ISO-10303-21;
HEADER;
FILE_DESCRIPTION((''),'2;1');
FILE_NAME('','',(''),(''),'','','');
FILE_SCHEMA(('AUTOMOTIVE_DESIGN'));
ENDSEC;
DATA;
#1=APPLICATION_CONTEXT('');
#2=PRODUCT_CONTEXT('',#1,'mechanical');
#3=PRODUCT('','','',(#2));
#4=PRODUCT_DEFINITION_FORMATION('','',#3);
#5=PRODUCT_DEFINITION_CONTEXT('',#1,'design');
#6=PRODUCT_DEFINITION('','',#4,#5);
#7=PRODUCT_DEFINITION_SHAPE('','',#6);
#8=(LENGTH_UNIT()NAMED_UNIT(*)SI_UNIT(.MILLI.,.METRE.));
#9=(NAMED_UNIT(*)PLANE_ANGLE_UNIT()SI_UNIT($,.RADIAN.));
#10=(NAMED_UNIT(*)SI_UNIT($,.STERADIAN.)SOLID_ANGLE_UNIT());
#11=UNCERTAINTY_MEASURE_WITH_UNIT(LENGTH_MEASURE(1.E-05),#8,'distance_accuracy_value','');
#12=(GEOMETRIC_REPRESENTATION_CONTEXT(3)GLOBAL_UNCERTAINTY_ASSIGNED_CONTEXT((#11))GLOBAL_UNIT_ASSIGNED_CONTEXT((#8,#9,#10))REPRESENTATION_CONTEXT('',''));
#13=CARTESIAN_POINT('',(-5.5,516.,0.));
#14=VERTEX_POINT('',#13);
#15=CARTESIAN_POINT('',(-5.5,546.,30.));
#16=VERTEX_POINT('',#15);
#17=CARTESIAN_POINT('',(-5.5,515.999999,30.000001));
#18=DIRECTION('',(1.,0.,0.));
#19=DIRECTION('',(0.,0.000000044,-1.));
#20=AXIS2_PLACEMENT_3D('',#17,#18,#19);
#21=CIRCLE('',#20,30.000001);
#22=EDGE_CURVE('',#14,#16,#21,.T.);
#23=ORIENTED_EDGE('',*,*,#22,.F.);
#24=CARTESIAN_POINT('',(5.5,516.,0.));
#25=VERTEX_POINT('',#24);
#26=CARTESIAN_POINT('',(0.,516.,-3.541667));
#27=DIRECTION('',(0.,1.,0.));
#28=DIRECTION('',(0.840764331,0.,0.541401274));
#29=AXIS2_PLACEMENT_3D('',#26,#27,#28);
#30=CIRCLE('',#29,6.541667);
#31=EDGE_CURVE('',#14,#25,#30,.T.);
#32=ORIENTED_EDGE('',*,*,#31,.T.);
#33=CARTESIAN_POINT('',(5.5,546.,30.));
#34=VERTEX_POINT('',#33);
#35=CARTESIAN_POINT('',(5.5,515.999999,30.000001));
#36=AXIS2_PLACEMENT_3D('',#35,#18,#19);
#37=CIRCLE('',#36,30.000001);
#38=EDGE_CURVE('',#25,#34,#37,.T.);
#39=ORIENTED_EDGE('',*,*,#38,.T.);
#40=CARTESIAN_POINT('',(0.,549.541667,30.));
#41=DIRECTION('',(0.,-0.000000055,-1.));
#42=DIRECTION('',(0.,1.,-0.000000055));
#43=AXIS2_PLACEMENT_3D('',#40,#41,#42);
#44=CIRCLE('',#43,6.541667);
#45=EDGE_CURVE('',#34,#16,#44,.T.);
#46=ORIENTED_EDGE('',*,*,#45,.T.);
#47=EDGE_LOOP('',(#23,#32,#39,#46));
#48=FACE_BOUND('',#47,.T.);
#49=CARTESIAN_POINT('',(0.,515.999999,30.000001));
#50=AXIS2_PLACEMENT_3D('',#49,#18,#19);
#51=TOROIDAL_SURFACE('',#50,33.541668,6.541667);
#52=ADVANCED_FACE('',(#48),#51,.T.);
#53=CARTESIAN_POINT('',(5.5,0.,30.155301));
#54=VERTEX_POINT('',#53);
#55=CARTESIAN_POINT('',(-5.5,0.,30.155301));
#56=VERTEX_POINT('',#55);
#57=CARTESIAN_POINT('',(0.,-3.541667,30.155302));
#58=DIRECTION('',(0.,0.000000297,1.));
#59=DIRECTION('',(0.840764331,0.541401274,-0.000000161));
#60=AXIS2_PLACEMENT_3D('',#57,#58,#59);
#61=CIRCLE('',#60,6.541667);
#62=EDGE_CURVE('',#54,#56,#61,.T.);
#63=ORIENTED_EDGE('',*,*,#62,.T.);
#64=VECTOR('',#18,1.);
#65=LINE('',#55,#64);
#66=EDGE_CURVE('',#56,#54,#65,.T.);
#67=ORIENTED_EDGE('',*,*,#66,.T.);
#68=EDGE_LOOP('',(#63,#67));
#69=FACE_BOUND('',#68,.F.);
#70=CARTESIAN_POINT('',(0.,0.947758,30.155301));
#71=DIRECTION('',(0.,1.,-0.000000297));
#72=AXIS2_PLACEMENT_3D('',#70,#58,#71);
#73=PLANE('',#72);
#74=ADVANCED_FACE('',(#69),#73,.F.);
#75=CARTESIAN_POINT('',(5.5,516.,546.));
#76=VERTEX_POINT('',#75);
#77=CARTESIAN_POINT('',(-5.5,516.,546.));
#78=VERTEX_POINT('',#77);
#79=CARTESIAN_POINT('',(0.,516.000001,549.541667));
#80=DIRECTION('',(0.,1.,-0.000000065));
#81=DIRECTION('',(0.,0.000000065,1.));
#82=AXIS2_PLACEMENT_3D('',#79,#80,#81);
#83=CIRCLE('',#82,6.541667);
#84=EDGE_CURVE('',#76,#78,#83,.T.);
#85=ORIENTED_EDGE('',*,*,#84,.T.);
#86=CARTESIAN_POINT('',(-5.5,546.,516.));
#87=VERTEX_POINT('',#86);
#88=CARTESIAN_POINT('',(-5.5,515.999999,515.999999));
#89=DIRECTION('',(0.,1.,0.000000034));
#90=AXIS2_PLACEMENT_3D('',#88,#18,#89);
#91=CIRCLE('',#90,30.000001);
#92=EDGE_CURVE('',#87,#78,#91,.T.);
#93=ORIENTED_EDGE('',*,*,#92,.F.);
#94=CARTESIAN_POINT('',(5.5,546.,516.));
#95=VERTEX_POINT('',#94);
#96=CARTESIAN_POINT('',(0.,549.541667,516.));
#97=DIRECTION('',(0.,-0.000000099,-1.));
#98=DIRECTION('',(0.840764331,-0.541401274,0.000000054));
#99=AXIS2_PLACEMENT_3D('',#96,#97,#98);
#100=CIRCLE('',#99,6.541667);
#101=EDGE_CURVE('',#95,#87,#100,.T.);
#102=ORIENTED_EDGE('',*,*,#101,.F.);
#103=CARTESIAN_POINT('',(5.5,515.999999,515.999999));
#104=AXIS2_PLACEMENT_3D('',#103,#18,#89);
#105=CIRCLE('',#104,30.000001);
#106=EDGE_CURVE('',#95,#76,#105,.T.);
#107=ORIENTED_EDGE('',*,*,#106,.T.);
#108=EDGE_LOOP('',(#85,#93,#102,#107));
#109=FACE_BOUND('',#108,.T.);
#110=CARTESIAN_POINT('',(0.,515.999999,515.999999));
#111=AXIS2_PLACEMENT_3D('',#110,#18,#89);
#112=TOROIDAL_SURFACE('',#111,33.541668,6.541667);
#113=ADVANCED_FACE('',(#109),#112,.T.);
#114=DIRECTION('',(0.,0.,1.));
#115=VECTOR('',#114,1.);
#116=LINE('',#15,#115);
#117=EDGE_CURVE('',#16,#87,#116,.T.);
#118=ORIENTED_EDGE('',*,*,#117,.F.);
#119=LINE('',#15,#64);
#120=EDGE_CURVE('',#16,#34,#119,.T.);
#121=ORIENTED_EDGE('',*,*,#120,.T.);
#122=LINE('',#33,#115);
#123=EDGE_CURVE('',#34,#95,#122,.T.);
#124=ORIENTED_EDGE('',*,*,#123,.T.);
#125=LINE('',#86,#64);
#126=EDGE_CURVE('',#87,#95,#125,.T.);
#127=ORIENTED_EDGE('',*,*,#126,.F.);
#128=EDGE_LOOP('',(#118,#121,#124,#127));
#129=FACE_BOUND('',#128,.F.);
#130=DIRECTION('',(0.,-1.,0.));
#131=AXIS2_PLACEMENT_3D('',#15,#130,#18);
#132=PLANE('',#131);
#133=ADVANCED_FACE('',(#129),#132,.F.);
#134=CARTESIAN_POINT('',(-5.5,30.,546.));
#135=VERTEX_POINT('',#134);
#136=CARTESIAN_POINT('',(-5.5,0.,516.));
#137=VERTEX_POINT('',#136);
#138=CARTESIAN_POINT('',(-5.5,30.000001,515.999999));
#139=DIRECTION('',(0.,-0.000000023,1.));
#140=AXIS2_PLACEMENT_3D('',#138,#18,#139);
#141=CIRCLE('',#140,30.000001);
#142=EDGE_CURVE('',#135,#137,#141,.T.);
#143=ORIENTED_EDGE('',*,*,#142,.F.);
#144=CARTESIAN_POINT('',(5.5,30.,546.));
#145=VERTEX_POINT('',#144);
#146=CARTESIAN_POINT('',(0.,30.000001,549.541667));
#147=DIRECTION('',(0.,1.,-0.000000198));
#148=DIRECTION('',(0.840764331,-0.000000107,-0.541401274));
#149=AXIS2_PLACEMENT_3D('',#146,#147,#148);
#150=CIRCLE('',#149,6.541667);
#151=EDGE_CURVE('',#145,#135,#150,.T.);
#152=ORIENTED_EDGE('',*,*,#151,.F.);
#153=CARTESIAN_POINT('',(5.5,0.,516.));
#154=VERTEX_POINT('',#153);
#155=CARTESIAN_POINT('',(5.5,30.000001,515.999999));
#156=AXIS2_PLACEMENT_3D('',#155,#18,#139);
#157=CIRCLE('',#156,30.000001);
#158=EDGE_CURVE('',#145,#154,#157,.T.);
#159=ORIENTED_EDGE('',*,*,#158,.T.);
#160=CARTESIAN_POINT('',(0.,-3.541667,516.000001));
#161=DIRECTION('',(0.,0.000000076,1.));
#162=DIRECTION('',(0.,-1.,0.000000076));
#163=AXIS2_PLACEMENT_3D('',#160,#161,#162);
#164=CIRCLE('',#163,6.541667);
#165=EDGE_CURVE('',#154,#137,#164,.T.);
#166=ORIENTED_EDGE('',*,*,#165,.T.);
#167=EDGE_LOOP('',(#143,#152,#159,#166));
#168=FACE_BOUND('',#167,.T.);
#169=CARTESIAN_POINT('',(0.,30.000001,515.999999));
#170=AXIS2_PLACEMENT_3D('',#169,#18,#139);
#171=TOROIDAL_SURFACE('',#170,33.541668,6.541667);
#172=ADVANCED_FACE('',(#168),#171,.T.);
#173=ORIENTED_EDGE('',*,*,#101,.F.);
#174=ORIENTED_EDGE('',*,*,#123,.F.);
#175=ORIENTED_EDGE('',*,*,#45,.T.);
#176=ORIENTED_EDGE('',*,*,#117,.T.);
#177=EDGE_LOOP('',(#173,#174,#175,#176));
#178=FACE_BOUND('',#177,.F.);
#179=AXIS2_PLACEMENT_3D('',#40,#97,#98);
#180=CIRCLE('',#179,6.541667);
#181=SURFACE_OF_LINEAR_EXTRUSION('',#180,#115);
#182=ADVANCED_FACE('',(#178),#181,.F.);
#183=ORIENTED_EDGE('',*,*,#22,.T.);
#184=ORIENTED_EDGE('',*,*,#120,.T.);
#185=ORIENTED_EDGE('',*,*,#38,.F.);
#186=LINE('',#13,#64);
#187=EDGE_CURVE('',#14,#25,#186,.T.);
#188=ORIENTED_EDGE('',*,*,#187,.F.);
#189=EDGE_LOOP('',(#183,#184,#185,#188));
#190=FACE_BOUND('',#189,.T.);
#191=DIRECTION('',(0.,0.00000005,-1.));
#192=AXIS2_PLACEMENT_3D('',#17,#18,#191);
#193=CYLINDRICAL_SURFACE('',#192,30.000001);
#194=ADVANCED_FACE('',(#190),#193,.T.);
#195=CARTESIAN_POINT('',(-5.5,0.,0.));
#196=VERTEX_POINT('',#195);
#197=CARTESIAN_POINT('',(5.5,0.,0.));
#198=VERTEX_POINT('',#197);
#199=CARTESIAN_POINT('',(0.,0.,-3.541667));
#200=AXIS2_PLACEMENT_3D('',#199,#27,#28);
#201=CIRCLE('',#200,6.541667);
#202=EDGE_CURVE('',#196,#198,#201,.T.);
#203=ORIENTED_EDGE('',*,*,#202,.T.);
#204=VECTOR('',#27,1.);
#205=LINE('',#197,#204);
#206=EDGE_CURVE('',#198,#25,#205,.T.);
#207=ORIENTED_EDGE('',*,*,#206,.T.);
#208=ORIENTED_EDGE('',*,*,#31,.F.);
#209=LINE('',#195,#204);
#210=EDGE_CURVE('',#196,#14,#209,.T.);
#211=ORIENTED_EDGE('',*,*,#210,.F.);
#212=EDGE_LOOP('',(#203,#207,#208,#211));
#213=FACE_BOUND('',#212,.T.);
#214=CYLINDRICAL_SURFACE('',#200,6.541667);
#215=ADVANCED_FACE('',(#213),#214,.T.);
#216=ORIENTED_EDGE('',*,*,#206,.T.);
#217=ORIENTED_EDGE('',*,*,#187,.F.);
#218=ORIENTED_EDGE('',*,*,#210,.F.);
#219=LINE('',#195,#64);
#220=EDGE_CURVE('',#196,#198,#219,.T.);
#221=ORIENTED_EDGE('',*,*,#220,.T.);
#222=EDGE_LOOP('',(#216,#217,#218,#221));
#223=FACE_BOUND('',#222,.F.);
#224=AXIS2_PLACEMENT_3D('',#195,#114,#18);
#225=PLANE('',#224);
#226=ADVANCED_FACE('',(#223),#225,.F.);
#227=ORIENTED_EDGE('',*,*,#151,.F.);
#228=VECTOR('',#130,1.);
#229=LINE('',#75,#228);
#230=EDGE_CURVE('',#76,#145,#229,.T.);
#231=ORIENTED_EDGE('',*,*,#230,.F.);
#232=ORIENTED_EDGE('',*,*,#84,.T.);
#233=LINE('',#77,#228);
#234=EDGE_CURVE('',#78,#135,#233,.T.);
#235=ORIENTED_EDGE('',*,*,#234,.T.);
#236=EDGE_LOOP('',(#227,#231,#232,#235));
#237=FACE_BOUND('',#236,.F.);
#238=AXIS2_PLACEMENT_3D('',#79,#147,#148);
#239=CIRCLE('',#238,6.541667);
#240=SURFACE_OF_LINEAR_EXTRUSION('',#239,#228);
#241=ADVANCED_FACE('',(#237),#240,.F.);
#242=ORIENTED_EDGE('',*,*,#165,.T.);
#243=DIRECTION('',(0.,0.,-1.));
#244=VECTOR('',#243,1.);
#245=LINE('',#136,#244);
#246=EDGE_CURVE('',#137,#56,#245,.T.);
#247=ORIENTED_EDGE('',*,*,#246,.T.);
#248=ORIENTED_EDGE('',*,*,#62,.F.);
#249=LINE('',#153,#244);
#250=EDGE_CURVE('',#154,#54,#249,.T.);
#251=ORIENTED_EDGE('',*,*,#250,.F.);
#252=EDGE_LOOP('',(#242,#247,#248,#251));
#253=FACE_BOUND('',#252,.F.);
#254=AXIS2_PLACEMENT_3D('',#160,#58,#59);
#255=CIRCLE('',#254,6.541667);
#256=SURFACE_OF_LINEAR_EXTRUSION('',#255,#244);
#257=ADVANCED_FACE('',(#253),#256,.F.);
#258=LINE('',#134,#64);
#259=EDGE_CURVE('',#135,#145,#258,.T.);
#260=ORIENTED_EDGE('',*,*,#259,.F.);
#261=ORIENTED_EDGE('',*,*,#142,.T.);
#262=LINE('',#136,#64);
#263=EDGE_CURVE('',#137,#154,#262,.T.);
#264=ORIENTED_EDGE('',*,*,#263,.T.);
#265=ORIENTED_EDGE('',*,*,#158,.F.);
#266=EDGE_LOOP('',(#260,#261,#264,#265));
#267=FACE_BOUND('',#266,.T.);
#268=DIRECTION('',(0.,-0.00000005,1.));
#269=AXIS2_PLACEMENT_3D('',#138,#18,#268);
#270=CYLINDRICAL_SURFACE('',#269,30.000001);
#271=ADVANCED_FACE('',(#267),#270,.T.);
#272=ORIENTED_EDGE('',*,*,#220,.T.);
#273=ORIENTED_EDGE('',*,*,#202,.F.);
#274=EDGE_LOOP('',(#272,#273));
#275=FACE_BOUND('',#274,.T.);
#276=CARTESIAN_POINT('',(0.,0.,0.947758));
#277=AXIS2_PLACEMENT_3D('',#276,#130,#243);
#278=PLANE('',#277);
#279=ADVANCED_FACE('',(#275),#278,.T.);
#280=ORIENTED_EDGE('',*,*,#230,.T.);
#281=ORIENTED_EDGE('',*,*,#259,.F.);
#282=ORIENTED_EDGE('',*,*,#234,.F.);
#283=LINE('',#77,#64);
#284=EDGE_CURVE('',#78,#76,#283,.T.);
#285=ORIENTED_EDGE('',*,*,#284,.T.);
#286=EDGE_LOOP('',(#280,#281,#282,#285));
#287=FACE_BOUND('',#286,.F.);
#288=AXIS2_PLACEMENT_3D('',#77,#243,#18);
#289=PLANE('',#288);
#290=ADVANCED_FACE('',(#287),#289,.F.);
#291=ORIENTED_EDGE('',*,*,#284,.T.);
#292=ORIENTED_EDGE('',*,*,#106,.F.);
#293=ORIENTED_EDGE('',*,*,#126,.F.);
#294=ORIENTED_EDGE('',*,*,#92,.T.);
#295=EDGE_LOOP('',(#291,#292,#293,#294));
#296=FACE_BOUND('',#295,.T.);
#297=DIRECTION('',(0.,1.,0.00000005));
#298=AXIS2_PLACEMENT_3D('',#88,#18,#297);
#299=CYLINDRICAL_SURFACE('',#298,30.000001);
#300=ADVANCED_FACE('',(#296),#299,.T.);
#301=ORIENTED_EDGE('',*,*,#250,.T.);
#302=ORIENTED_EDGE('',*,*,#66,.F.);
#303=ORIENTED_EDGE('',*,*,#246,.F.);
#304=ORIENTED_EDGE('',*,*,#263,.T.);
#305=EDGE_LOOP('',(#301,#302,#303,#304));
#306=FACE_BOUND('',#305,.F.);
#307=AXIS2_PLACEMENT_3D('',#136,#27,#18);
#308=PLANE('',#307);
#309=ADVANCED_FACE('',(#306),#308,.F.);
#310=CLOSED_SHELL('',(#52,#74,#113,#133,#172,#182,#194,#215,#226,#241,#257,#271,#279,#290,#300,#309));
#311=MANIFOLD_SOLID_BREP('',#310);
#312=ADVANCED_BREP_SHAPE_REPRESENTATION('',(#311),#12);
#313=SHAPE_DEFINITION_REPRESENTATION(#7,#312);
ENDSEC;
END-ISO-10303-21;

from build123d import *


with BuildPart() as f2:
    # F2: sweep along a path in F1
    with BuildLine(Plane.YZ) as f2_path:
        Line((0, 0), (516, 0))
        ThreePointArc((516, 0), (537.213203, 8.786797), (546, 30))
        Line((546, 30), (546, 516))
        ThreePointArc((546, 516), (537.213203, 537.213203), (516, 546))
        Line((516, 546), (30, 546))
        ThreePointArc((30, 546), (8.786797, 537.213203), (0, 516))
        Line((0, 516), (0, 30.155301))
    # F0 (on Front) → F2 (sweep)
    with BuildSketch(Plane.XZ):
        with BuildLine():
            ThreePointArc((5.5, 0), (0, 3), (-5.5, 0))
            Line((-5.5, 0), (5.5, 0))
        make_face()
    sweep(path=f2_path.line)


solid = f2.part
